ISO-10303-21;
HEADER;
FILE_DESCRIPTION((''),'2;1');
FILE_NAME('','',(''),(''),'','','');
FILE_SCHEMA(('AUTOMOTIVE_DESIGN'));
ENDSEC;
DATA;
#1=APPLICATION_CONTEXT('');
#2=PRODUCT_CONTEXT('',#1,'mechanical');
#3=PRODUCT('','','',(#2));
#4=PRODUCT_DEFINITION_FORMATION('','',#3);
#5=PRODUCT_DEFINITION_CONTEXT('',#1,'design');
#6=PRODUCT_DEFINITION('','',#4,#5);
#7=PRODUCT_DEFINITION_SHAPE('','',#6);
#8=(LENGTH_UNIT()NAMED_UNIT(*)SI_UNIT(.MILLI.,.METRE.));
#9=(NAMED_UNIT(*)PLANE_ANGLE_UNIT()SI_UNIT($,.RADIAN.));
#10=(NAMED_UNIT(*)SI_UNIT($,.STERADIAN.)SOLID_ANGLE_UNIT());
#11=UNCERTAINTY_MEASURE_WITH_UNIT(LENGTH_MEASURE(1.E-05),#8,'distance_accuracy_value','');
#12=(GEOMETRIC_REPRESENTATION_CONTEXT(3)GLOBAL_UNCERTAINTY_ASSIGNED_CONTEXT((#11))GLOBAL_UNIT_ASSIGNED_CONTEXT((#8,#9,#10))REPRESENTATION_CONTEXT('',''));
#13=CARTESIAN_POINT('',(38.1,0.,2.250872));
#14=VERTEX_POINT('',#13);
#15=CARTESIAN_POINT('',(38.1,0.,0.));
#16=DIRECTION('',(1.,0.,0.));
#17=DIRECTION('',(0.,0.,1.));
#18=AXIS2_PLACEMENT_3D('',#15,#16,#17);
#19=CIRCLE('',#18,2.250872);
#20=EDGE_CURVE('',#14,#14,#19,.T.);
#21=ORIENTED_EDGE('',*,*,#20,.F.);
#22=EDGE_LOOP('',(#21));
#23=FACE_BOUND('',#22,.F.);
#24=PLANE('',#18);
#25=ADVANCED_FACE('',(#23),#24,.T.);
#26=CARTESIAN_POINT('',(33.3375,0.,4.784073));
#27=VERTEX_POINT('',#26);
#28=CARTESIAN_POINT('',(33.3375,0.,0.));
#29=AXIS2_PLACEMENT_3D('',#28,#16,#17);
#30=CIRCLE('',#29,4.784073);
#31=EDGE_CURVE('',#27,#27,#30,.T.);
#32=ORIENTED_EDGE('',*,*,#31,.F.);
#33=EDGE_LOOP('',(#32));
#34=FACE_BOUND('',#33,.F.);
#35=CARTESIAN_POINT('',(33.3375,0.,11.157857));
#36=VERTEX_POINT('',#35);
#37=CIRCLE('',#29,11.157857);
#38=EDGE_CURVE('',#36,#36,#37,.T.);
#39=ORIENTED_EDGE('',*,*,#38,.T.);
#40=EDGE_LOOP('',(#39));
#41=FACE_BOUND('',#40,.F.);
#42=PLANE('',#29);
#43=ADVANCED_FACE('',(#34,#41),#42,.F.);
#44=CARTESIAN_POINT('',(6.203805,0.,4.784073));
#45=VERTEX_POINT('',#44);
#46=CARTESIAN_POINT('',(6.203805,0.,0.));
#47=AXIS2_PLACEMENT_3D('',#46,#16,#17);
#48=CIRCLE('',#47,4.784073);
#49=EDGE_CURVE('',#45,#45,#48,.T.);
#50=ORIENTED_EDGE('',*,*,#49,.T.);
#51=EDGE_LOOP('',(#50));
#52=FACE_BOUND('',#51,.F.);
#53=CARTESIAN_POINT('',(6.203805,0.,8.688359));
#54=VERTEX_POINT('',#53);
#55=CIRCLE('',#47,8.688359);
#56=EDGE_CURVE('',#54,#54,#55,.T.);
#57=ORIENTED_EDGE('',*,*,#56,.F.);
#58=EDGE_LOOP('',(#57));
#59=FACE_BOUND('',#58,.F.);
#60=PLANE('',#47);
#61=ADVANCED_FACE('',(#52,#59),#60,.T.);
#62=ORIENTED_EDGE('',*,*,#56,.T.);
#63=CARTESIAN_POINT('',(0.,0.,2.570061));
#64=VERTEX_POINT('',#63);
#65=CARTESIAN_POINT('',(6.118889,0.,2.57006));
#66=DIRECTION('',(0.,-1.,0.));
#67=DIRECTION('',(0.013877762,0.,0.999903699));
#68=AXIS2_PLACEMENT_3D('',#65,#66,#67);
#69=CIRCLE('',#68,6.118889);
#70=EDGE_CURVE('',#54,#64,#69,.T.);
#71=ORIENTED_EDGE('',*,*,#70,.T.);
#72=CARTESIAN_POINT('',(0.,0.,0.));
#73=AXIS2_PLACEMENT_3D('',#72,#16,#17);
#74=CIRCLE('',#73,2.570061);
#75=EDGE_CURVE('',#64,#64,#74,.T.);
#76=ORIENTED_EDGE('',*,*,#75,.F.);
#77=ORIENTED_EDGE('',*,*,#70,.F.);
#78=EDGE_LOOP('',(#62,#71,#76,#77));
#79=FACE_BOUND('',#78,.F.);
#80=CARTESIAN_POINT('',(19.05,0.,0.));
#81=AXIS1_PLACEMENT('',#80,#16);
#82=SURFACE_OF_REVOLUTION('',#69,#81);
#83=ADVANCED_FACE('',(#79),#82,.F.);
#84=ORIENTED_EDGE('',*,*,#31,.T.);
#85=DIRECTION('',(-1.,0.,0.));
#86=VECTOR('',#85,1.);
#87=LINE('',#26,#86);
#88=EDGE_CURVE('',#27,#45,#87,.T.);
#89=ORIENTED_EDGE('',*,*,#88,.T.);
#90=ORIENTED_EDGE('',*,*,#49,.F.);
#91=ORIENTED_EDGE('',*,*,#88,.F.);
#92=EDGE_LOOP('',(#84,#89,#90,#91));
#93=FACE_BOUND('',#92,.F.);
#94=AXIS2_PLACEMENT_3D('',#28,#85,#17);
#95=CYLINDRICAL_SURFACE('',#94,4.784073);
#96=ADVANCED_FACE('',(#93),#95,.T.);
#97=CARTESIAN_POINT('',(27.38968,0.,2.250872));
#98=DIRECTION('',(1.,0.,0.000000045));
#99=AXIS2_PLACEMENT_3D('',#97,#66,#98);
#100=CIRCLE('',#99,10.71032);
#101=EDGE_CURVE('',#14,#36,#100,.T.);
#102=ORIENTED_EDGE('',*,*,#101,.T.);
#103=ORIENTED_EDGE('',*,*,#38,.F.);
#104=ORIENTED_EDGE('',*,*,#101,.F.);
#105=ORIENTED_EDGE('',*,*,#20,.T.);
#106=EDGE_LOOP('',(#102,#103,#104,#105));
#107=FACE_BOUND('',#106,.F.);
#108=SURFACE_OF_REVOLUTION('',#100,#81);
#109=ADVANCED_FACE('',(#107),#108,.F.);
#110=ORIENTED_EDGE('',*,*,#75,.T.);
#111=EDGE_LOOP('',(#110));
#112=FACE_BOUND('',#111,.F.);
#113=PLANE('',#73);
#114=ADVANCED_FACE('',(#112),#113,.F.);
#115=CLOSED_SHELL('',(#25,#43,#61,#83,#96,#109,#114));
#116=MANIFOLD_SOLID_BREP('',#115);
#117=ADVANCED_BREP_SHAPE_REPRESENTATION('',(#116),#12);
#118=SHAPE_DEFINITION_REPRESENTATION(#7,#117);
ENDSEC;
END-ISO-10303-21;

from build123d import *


with BuildPart() as f1:
    # F0 (on Front) → F1 (revolve)
    with BuildSketch(Plane.XZ):
        with BuildLine():
            Line((0, 2.570061), (0, 0))
            Line((0, 0), (38.1, 0))
            Line((38.1, 0), (38.1, 2.250872))
            ThreePointArc((38.1, 2.250872), (36.834626, 7.301015), (33.3375, 11.157857))
            Line((33.3375, 11.157857), (33.3375, 4.784073))
            Line((33.3375, 4.784073), (6.203805, 4.784073))
            Line((6.203805, 4.784073), (6.203805, 8.688359))
            ThreePointArc((6.203805, 8.688359), (1.822309, 6.926687), (0, 2.570061))
        make_face()
    revolve(axis=Axis((19.05, 0, 0), (1, 0, 0)))


solid = f1.part
